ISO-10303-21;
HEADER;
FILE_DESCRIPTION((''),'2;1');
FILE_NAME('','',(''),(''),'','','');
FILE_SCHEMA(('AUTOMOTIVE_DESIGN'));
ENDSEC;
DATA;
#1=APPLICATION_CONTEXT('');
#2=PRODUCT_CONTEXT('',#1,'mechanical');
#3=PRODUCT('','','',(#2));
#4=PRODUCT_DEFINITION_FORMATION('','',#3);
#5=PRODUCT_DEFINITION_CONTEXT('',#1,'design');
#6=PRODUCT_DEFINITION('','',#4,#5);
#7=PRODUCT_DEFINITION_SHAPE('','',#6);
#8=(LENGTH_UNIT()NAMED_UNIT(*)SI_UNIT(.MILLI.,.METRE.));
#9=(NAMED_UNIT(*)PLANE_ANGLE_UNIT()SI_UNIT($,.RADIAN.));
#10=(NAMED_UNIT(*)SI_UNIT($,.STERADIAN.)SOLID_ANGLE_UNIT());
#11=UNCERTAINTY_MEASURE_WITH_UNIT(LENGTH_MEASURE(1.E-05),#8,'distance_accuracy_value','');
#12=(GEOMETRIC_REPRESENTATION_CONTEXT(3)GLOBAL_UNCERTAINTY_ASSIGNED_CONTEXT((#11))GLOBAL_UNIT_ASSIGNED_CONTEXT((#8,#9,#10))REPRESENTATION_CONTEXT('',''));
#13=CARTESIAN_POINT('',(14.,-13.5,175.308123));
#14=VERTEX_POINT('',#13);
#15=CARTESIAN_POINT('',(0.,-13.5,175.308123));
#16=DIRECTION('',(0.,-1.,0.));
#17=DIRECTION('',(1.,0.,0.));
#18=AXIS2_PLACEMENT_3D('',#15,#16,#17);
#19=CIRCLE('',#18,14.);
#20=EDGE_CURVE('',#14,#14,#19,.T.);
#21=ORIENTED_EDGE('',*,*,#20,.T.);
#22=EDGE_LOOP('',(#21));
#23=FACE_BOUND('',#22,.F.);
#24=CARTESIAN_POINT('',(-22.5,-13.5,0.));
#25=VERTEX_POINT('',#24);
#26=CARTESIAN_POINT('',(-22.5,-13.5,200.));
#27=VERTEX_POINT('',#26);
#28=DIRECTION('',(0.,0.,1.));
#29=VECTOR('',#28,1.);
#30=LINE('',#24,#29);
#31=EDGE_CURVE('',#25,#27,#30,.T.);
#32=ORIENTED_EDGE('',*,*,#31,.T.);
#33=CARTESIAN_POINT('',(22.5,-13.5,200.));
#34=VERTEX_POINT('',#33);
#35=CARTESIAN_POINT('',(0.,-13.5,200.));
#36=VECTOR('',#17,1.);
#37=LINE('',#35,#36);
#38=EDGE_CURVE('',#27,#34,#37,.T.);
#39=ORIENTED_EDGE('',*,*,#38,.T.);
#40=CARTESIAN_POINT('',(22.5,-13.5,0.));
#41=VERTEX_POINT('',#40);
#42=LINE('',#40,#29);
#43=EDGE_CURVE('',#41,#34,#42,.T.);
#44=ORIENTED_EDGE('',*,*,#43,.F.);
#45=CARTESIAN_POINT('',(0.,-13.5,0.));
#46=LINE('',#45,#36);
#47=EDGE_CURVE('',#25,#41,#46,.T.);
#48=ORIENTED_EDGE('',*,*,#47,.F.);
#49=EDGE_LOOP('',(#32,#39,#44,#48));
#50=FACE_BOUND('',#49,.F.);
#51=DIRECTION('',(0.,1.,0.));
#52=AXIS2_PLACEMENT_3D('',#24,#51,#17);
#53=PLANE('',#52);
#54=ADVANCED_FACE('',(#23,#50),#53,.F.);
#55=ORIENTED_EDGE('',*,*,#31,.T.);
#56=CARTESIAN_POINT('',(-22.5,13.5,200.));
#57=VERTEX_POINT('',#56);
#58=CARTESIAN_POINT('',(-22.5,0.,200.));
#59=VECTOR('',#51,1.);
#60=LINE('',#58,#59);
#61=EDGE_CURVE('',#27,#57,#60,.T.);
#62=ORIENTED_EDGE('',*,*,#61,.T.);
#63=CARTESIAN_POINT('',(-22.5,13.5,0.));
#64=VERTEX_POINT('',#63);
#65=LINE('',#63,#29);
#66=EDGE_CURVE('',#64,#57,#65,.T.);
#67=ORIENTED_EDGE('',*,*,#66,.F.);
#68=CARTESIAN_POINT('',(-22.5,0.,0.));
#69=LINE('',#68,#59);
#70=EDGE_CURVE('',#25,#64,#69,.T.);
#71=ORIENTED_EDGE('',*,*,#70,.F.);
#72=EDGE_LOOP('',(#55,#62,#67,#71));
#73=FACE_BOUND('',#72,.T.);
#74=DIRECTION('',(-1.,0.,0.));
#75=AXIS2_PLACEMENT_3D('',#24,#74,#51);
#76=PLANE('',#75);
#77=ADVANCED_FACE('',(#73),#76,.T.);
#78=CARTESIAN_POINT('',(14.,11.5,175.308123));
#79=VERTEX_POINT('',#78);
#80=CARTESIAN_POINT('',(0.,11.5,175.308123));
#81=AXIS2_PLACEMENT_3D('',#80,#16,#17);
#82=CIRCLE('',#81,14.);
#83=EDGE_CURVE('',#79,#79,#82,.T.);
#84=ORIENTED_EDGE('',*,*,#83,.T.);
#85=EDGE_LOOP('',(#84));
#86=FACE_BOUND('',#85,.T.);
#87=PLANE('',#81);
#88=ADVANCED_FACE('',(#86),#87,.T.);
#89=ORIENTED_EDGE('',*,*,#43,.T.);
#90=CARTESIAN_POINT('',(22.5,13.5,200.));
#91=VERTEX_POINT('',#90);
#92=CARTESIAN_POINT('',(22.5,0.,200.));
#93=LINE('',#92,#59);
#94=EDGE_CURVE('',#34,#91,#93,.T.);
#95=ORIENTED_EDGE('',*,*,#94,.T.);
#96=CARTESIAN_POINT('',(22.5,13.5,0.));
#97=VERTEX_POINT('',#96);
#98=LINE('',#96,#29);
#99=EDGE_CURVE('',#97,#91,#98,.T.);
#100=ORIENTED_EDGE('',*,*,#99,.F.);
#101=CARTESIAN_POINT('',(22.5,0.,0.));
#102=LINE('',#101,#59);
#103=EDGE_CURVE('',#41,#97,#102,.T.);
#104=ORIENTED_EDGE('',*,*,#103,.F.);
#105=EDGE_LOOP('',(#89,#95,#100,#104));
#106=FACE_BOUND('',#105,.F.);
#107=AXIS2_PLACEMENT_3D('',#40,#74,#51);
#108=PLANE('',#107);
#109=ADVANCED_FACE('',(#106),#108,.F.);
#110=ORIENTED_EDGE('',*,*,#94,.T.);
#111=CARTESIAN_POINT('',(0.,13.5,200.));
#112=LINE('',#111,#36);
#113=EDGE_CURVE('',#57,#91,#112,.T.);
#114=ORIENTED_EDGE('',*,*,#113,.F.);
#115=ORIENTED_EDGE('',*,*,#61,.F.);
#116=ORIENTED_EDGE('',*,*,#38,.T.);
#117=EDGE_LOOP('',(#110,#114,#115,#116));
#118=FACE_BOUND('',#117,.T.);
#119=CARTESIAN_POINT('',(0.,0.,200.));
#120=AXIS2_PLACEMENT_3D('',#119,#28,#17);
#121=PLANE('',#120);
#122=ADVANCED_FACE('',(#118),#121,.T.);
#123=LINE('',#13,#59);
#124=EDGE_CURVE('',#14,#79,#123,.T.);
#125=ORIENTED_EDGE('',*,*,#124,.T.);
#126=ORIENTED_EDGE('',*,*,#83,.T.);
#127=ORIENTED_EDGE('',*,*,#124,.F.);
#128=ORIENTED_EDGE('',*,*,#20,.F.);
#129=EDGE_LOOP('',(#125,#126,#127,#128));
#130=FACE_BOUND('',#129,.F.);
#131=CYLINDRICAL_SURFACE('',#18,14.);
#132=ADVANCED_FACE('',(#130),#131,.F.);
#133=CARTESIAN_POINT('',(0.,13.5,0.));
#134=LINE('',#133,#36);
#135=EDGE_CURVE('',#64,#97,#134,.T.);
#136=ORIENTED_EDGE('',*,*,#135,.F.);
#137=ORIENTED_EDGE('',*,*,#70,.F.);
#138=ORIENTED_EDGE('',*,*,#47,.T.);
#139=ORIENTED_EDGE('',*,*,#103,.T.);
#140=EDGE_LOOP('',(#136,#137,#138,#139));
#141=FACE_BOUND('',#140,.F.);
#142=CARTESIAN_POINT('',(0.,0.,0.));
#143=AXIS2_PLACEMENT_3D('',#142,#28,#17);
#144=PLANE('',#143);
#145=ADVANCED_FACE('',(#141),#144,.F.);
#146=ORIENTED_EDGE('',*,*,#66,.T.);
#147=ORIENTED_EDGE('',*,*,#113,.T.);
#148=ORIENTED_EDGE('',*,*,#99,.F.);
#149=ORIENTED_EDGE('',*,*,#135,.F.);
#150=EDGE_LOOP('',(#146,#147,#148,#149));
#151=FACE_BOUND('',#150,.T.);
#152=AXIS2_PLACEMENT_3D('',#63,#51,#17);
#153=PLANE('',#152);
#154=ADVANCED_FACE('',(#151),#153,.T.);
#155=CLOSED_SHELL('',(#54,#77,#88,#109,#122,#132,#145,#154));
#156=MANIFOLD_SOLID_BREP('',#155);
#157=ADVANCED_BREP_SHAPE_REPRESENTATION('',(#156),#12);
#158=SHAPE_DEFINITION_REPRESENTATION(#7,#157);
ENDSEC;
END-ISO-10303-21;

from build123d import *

# Parameters (mm, degrees)
F0_W     = 45
F0_H     = 27
F1_DEPTH = 200
F2_R     = 14
F3_DEPTH = 25


with BuildPart() as f1:
    # F0 (on Top) → F1 (new body)
    with BuildSketch(Plane.XY):
        Rectangle(F0_W, F0_H)
    extrude(amount=F1_DEPTH)

    # F2 (on face) → F3 (cut)
    with BuildSketch(Plane.XZ.offset(13.5)):
        with Locations((0, 175.308123)):
            Circle(F2_R)
    extrude(amount=-F3_DEPTH, mode=Mode.SUBTRACT)


solid = f1.part
